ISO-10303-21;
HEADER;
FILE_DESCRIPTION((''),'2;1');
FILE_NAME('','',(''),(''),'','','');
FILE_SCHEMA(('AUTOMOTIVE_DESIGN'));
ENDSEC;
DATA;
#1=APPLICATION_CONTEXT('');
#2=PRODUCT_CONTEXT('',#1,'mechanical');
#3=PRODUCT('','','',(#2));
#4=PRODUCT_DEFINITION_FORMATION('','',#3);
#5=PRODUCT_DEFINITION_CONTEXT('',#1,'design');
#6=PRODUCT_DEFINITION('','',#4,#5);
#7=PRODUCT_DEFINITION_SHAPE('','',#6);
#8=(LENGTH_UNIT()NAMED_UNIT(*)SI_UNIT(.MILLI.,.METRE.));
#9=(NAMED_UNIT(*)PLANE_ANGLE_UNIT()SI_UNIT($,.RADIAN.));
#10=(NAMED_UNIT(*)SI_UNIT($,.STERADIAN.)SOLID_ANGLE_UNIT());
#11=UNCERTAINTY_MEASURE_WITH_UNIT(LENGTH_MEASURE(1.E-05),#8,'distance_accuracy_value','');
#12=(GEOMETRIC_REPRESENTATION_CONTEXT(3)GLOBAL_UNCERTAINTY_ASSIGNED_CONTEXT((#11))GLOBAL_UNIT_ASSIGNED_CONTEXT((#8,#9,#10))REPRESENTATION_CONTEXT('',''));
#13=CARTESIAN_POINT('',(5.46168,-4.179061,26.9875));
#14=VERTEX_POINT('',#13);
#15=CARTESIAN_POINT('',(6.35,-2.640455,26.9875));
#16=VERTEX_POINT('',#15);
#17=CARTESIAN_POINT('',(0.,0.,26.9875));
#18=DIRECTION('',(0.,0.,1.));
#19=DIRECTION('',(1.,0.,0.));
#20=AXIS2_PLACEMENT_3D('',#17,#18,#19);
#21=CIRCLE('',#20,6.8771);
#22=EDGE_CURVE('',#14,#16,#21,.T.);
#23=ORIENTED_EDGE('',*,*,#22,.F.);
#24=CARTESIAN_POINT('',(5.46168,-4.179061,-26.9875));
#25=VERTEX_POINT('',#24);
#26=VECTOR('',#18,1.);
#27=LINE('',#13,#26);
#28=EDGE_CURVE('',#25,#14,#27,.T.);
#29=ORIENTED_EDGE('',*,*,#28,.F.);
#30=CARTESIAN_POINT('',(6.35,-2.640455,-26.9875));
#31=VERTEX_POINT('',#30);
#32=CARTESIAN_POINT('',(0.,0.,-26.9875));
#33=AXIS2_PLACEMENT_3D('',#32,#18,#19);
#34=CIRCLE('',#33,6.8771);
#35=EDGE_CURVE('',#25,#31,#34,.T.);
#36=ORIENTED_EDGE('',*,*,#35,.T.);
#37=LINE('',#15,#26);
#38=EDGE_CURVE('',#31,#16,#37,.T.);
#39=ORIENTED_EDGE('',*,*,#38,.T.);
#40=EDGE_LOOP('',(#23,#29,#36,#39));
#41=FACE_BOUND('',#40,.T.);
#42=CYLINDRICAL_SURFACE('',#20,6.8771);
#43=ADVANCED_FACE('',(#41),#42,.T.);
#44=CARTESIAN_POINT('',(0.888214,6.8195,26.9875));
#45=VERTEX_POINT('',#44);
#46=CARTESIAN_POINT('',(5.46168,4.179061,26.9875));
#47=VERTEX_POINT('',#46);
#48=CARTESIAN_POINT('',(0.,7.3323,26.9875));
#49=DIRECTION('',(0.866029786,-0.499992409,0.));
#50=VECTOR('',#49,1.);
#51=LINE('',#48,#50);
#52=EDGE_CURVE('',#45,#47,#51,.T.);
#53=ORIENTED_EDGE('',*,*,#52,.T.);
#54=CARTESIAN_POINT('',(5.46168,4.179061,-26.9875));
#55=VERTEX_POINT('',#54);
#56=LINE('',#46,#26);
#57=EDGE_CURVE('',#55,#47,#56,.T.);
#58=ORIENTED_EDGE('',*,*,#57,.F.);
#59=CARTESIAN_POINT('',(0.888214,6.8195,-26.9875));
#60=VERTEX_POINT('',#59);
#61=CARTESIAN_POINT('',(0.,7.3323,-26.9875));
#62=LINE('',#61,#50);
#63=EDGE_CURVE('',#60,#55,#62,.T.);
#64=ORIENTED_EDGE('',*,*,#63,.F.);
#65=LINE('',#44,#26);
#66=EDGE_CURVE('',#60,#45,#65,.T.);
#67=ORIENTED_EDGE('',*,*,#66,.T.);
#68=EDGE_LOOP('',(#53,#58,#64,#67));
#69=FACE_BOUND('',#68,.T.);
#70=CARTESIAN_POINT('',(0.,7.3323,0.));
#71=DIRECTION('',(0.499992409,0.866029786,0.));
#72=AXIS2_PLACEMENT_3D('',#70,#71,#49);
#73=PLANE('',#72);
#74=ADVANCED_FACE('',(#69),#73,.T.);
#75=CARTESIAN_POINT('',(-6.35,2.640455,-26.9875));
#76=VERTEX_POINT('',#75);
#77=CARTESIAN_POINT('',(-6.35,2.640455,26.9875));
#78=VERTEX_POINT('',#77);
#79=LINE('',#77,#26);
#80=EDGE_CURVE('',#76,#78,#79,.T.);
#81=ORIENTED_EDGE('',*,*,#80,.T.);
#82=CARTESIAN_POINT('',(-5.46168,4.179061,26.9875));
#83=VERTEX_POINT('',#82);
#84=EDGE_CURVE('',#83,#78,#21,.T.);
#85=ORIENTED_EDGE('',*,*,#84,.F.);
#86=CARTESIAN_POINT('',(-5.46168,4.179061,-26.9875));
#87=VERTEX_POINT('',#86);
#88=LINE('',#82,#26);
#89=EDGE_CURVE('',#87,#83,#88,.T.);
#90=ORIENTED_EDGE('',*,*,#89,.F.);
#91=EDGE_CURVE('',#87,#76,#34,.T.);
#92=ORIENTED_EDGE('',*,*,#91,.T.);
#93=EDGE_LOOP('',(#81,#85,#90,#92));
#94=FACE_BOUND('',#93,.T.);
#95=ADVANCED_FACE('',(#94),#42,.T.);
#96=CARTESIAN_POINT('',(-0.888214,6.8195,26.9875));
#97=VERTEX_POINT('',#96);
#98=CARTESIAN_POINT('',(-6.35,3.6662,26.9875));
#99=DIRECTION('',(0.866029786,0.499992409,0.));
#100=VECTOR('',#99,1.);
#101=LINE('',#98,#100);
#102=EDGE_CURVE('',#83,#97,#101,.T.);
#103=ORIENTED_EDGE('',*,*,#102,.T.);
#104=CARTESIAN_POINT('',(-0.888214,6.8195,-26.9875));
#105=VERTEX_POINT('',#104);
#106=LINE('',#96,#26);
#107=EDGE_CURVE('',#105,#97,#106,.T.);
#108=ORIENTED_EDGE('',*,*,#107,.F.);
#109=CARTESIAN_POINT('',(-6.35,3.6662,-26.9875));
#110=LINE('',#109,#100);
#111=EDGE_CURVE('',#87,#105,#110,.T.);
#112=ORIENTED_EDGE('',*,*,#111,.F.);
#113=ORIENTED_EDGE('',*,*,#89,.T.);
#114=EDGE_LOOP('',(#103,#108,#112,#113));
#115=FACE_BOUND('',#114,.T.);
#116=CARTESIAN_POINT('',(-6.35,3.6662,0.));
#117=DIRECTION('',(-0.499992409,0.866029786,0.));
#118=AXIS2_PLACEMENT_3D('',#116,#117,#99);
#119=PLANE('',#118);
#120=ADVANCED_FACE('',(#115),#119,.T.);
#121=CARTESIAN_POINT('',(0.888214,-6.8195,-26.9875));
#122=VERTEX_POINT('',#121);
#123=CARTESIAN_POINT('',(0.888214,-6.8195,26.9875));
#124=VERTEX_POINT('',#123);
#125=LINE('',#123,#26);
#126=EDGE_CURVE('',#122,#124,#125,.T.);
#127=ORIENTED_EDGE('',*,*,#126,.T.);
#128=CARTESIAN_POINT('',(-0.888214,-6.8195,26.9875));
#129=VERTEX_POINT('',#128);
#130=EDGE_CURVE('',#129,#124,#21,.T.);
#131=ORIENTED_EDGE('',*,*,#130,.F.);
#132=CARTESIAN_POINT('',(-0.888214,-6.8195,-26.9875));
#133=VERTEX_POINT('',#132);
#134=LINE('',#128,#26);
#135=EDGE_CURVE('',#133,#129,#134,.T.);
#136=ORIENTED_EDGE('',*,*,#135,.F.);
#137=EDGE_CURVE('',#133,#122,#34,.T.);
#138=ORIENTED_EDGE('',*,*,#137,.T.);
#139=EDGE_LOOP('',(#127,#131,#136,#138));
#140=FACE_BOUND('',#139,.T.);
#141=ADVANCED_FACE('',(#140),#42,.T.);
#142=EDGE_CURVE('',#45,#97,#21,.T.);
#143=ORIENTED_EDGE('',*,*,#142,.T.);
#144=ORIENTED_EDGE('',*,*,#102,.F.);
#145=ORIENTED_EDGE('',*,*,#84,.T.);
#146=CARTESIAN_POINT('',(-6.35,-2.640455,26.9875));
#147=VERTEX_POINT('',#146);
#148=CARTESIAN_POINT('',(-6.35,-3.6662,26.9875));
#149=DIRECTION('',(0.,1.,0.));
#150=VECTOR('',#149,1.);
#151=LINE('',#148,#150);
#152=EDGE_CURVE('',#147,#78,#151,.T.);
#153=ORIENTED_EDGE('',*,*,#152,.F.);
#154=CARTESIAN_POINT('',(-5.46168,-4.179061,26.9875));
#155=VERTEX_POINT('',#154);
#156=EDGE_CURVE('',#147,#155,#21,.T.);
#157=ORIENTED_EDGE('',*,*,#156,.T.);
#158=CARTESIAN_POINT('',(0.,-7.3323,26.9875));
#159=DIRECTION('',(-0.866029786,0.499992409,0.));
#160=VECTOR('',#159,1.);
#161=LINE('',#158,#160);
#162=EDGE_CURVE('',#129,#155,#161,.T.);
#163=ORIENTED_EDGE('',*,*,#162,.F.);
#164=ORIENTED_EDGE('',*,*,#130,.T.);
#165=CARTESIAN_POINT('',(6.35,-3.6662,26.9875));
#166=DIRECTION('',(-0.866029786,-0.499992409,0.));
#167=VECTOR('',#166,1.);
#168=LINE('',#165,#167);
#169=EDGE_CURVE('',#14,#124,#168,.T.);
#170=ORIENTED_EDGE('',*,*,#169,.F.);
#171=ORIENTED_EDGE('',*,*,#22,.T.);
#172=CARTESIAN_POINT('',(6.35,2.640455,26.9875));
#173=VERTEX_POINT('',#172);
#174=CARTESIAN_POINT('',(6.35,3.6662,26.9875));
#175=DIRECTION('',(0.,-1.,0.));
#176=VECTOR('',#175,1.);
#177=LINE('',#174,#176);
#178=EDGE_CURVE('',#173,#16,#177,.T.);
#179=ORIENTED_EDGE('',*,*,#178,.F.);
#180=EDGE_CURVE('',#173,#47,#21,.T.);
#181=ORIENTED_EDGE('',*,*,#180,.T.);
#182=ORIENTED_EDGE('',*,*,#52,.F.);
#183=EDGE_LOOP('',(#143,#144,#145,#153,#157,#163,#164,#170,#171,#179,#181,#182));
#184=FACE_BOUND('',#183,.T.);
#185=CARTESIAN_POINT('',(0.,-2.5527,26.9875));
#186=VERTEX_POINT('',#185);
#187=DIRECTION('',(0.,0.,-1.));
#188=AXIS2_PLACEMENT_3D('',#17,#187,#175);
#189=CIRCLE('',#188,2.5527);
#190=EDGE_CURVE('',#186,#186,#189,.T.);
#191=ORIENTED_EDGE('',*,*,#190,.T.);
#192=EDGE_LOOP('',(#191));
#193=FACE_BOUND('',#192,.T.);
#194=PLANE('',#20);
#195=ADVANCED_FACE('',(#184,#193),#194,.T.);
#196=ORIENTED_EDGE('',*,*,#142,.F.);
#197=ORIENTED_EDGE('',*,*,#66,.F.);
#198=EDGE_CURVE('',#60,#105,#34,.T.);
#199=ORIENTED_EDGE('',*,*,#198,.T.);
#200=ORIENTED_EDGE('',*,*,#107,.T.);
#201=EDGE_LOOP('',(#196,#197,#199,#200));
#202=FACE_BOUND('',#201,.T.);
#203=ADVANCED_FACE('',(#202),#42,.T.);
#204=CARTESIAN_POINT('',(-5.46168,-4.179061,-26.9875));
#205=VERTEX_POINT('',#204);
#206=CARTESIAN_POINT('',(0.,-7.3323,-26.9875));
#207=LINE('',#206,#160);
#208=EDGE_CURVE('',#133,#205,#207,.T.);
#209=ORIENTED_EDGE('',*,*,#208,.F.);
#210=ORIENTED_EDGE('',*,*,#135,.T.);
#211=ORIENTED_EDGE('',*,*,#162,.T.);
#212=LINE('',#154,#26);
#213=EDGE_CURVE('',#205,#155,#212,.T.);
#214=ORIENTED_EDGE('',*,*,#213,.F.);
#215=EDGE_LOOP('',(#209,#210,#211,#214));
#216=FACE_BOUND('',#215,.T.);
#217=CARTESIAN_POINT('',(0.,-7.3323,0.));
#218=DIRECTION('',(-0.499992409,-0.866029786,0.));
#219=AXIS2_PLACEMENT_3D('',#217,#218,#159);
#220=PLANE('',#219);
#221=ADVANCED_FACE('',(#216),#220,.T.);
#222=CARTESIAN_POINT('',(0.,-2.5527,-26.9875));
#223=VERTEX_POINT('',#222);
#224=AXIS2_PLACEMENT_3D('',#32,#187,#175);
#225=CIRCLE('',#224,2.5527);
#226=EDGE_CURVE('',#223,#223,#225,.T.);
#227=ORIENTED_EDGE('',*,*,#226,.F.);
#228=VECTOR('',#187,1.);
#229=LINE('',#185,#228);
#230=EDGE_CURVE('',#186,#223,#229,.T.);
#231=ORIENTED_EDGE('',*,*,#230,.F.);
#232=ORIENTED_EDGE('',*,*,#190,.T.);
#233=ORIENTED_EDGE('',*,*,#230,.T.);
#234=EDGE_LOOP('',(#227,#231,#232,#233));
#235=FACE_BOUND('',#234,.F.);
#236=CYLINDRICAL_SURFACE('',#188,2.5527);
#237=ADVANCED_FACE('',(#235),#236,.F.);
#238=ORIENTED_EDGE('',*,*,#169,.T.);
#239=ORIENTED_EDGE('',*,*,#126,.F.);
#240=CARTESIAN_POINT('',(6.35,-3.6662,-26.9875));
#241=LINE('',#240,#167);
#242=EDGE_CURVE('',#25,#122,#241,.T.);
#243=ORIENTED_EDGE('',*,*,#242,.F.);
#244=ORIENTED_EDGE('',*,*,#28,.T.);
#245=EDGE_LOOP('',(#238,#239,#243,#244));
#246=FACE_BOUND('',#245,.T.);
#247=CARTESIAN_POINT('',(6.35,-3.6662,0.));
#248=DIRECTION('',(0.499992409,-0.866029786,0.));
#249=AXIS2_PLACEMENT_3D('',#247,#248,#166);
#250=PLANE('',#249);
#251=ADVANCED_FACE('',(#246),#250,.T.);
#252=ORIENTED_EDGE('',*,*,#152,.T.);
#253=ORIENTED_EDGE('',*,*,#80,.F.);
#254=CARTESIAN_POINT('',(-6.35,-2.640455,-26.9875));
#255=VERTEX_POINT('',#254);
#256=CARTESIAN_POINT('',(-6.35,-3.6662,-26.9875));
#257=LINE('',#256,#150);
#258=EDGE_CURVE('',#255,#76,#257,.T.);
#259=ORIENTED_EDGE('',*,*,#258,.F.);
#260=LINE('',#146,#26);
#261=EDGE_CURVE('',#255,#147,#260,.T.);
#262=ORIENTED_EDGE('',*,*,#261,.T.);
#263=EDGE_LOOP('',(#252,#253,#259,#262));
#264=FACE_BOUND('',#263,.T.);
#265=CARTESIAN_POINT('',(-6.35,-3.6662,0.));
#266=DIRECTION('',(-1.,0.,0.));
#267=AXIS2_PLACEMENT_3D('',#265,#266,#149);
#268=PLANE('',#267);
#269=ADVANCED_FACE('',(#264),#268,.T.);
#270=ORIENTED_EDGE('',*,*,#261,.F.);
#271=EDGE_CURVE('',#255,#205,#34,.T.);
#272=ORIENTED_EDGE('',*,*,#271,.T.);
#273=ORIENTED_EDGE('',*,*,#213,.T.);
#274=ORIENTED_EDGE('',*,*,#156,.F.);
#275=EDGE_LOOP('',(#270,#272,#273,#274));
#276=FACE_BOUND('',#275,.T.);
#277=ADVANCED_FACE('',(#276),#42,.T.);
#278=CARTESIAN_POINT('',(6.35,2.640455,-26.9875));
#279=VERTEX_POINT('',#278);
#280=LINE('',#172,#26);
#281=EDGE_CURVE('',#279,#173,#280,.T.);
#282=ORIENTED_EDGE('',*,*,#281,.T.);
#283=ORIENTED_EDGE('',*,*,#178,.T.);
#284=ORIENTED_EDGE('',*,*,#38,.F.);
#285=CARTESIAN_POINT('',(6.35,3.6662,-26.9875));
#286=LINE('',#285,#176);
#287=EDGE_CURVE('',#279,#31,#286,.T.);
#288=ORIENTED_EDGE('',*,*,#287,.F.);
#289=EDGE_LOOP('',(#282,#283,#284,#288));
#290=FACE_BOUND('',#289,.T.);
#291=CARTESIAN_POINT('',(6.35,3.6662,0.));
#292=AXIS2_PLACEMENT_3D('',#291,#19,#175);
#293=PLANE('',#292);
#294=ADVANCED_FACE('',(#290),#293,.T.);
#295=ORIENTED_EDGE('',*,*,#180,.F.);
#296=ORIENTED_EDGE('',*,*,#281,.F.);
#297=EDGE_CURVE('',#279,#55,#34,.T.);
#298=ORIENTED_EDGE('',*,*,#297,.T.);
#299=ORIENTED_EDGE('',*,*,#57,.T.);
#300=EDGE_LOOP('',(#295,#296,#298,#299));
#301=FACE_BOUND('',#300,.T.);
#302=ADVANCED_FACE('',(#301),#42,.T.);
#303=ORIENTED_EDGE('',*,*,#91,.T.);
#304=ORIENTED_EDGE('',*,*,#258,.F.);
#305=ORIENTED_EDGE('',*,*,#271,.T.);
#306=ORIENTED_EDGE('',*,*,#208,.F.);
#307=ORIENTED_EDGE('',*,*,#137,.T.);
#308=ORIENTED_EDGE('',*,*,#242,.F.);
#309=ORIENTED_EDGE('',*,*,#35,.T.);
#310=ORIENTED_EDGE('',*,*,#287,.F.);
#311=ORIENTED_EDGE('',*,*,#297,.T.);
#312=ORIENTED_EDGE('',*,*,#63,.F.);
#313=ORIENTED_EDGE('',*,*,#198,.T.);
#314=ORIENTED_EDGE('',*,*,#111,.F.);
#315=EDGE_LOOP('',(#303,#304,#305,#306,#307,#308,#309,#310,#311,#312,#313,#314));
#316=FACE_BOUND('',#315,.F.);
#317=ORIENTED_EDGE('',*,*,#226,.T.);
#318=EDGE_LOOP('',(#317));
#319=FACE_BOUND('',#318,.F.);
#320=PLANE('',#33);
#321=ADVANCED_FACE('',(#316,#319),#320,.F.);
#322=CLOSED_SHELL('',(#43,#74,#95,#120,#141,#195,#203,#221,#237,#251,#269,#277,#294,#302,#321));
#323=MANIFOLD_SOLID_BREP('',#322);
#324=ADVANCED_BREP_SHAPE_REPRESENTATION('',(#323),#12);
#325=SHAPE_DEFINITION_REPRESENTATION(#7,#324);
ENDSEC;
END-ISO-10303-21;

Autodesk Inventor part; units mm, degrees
ref_plane "YZ Plane" through (0, 0, 0) normal (1, 0, 0) x (0, 1, 0)
ref_plane "XZ Plane" through (0, 0, 0) normal (0, 1, 0) x (-1, 0, 0)
ref_plane "XY Plane" through (0, 0, 0) normal (0, 0, 1) x (1, 0, 0)
sketch "Sketch1" plane through (0, 0, 0) normal (0, 0, 1) x (1, 0, 0)
  line L0 (-6.35, -3.6662) -> (-6.35, 3.6662)
  line L1 (-6.35, 3.6662) -> (0, 7.3323)
  line L2 (0, 7.3323) -> (6.35, 3.6662)
  line L3 (6.35, 3.6662) -> (6.35, -3.6662)
  line L4 (6.35, -3.6662) -> (0, -7.3323)
  line L5 (0, -7.3323) -> (-6.35, -3.6662)
  point P0 (0, 0)
  point P1 (0, 0)
  dimension "Size" = 12.7
extrude "Extrusion1" add sketch "Sketch1" along normal mid plane 53.975
sketch "Sketch3" plane through (0, 0, 26.9875) normal (0, 0, 1) x (1, 0, 0)
  line L0 (-6.35, 3.6662) -> (0, 7.3323) construction
  line L1 (0, 7.3323) -> (6.35, 3.6662) construction
  line L2 (6.35, 3.6662) -> (6.35, -3.6662) construction
  line L3 (6.35, -3.6662) -> (0, -7.3323) construction
  line L4 (0, -7.3323) -> (-6.35, -3.6662) construction
  line L5 (-6.35, -3.6662) -> (-6.35, 3.6662) construction
  point P0 (0, 0)
hole "Hole1" at (0, 0, 26.9875) direction (0, 0, -1) diameter 5.1054 end through all
sketch "Sketch4" plane through (0, 0, 26.9875) normal (0, 0, 1) x (1, 0, 0)
  circle A0 centre (0, 0) radius 2.5527 construction
  line L0 (-6.35, 3.6662) -> (0, 7.3323) construction
  line L1 (0, 7.3323) -> (6.35, 3.6662) construction
  line L2 (6.35, 3.6662) -> (6.35, -3.6662) construction
  line L3 (6.35, -3.6662) -> (0, -7.3323) construction
  line L4 (0, -7.3323) -> (-6.35, -3.6662) construction
  line L5 (-6.35, -3.6662) -> (-6.35, 3.6662) construction
  circle A1 centre (0, 0) radius 6.8771
  circle A2 centre (0, 0) radius 8.89
  dimension "thunder" = 13.7541
  dimension "d16" = 17.78
extrude "Extrusion3" cut sketch "Sketch4" against normal through all
equation "\"bearing\" = 25.4"
properties part number "CL7-GB-006" material "Aluminum 6061"
